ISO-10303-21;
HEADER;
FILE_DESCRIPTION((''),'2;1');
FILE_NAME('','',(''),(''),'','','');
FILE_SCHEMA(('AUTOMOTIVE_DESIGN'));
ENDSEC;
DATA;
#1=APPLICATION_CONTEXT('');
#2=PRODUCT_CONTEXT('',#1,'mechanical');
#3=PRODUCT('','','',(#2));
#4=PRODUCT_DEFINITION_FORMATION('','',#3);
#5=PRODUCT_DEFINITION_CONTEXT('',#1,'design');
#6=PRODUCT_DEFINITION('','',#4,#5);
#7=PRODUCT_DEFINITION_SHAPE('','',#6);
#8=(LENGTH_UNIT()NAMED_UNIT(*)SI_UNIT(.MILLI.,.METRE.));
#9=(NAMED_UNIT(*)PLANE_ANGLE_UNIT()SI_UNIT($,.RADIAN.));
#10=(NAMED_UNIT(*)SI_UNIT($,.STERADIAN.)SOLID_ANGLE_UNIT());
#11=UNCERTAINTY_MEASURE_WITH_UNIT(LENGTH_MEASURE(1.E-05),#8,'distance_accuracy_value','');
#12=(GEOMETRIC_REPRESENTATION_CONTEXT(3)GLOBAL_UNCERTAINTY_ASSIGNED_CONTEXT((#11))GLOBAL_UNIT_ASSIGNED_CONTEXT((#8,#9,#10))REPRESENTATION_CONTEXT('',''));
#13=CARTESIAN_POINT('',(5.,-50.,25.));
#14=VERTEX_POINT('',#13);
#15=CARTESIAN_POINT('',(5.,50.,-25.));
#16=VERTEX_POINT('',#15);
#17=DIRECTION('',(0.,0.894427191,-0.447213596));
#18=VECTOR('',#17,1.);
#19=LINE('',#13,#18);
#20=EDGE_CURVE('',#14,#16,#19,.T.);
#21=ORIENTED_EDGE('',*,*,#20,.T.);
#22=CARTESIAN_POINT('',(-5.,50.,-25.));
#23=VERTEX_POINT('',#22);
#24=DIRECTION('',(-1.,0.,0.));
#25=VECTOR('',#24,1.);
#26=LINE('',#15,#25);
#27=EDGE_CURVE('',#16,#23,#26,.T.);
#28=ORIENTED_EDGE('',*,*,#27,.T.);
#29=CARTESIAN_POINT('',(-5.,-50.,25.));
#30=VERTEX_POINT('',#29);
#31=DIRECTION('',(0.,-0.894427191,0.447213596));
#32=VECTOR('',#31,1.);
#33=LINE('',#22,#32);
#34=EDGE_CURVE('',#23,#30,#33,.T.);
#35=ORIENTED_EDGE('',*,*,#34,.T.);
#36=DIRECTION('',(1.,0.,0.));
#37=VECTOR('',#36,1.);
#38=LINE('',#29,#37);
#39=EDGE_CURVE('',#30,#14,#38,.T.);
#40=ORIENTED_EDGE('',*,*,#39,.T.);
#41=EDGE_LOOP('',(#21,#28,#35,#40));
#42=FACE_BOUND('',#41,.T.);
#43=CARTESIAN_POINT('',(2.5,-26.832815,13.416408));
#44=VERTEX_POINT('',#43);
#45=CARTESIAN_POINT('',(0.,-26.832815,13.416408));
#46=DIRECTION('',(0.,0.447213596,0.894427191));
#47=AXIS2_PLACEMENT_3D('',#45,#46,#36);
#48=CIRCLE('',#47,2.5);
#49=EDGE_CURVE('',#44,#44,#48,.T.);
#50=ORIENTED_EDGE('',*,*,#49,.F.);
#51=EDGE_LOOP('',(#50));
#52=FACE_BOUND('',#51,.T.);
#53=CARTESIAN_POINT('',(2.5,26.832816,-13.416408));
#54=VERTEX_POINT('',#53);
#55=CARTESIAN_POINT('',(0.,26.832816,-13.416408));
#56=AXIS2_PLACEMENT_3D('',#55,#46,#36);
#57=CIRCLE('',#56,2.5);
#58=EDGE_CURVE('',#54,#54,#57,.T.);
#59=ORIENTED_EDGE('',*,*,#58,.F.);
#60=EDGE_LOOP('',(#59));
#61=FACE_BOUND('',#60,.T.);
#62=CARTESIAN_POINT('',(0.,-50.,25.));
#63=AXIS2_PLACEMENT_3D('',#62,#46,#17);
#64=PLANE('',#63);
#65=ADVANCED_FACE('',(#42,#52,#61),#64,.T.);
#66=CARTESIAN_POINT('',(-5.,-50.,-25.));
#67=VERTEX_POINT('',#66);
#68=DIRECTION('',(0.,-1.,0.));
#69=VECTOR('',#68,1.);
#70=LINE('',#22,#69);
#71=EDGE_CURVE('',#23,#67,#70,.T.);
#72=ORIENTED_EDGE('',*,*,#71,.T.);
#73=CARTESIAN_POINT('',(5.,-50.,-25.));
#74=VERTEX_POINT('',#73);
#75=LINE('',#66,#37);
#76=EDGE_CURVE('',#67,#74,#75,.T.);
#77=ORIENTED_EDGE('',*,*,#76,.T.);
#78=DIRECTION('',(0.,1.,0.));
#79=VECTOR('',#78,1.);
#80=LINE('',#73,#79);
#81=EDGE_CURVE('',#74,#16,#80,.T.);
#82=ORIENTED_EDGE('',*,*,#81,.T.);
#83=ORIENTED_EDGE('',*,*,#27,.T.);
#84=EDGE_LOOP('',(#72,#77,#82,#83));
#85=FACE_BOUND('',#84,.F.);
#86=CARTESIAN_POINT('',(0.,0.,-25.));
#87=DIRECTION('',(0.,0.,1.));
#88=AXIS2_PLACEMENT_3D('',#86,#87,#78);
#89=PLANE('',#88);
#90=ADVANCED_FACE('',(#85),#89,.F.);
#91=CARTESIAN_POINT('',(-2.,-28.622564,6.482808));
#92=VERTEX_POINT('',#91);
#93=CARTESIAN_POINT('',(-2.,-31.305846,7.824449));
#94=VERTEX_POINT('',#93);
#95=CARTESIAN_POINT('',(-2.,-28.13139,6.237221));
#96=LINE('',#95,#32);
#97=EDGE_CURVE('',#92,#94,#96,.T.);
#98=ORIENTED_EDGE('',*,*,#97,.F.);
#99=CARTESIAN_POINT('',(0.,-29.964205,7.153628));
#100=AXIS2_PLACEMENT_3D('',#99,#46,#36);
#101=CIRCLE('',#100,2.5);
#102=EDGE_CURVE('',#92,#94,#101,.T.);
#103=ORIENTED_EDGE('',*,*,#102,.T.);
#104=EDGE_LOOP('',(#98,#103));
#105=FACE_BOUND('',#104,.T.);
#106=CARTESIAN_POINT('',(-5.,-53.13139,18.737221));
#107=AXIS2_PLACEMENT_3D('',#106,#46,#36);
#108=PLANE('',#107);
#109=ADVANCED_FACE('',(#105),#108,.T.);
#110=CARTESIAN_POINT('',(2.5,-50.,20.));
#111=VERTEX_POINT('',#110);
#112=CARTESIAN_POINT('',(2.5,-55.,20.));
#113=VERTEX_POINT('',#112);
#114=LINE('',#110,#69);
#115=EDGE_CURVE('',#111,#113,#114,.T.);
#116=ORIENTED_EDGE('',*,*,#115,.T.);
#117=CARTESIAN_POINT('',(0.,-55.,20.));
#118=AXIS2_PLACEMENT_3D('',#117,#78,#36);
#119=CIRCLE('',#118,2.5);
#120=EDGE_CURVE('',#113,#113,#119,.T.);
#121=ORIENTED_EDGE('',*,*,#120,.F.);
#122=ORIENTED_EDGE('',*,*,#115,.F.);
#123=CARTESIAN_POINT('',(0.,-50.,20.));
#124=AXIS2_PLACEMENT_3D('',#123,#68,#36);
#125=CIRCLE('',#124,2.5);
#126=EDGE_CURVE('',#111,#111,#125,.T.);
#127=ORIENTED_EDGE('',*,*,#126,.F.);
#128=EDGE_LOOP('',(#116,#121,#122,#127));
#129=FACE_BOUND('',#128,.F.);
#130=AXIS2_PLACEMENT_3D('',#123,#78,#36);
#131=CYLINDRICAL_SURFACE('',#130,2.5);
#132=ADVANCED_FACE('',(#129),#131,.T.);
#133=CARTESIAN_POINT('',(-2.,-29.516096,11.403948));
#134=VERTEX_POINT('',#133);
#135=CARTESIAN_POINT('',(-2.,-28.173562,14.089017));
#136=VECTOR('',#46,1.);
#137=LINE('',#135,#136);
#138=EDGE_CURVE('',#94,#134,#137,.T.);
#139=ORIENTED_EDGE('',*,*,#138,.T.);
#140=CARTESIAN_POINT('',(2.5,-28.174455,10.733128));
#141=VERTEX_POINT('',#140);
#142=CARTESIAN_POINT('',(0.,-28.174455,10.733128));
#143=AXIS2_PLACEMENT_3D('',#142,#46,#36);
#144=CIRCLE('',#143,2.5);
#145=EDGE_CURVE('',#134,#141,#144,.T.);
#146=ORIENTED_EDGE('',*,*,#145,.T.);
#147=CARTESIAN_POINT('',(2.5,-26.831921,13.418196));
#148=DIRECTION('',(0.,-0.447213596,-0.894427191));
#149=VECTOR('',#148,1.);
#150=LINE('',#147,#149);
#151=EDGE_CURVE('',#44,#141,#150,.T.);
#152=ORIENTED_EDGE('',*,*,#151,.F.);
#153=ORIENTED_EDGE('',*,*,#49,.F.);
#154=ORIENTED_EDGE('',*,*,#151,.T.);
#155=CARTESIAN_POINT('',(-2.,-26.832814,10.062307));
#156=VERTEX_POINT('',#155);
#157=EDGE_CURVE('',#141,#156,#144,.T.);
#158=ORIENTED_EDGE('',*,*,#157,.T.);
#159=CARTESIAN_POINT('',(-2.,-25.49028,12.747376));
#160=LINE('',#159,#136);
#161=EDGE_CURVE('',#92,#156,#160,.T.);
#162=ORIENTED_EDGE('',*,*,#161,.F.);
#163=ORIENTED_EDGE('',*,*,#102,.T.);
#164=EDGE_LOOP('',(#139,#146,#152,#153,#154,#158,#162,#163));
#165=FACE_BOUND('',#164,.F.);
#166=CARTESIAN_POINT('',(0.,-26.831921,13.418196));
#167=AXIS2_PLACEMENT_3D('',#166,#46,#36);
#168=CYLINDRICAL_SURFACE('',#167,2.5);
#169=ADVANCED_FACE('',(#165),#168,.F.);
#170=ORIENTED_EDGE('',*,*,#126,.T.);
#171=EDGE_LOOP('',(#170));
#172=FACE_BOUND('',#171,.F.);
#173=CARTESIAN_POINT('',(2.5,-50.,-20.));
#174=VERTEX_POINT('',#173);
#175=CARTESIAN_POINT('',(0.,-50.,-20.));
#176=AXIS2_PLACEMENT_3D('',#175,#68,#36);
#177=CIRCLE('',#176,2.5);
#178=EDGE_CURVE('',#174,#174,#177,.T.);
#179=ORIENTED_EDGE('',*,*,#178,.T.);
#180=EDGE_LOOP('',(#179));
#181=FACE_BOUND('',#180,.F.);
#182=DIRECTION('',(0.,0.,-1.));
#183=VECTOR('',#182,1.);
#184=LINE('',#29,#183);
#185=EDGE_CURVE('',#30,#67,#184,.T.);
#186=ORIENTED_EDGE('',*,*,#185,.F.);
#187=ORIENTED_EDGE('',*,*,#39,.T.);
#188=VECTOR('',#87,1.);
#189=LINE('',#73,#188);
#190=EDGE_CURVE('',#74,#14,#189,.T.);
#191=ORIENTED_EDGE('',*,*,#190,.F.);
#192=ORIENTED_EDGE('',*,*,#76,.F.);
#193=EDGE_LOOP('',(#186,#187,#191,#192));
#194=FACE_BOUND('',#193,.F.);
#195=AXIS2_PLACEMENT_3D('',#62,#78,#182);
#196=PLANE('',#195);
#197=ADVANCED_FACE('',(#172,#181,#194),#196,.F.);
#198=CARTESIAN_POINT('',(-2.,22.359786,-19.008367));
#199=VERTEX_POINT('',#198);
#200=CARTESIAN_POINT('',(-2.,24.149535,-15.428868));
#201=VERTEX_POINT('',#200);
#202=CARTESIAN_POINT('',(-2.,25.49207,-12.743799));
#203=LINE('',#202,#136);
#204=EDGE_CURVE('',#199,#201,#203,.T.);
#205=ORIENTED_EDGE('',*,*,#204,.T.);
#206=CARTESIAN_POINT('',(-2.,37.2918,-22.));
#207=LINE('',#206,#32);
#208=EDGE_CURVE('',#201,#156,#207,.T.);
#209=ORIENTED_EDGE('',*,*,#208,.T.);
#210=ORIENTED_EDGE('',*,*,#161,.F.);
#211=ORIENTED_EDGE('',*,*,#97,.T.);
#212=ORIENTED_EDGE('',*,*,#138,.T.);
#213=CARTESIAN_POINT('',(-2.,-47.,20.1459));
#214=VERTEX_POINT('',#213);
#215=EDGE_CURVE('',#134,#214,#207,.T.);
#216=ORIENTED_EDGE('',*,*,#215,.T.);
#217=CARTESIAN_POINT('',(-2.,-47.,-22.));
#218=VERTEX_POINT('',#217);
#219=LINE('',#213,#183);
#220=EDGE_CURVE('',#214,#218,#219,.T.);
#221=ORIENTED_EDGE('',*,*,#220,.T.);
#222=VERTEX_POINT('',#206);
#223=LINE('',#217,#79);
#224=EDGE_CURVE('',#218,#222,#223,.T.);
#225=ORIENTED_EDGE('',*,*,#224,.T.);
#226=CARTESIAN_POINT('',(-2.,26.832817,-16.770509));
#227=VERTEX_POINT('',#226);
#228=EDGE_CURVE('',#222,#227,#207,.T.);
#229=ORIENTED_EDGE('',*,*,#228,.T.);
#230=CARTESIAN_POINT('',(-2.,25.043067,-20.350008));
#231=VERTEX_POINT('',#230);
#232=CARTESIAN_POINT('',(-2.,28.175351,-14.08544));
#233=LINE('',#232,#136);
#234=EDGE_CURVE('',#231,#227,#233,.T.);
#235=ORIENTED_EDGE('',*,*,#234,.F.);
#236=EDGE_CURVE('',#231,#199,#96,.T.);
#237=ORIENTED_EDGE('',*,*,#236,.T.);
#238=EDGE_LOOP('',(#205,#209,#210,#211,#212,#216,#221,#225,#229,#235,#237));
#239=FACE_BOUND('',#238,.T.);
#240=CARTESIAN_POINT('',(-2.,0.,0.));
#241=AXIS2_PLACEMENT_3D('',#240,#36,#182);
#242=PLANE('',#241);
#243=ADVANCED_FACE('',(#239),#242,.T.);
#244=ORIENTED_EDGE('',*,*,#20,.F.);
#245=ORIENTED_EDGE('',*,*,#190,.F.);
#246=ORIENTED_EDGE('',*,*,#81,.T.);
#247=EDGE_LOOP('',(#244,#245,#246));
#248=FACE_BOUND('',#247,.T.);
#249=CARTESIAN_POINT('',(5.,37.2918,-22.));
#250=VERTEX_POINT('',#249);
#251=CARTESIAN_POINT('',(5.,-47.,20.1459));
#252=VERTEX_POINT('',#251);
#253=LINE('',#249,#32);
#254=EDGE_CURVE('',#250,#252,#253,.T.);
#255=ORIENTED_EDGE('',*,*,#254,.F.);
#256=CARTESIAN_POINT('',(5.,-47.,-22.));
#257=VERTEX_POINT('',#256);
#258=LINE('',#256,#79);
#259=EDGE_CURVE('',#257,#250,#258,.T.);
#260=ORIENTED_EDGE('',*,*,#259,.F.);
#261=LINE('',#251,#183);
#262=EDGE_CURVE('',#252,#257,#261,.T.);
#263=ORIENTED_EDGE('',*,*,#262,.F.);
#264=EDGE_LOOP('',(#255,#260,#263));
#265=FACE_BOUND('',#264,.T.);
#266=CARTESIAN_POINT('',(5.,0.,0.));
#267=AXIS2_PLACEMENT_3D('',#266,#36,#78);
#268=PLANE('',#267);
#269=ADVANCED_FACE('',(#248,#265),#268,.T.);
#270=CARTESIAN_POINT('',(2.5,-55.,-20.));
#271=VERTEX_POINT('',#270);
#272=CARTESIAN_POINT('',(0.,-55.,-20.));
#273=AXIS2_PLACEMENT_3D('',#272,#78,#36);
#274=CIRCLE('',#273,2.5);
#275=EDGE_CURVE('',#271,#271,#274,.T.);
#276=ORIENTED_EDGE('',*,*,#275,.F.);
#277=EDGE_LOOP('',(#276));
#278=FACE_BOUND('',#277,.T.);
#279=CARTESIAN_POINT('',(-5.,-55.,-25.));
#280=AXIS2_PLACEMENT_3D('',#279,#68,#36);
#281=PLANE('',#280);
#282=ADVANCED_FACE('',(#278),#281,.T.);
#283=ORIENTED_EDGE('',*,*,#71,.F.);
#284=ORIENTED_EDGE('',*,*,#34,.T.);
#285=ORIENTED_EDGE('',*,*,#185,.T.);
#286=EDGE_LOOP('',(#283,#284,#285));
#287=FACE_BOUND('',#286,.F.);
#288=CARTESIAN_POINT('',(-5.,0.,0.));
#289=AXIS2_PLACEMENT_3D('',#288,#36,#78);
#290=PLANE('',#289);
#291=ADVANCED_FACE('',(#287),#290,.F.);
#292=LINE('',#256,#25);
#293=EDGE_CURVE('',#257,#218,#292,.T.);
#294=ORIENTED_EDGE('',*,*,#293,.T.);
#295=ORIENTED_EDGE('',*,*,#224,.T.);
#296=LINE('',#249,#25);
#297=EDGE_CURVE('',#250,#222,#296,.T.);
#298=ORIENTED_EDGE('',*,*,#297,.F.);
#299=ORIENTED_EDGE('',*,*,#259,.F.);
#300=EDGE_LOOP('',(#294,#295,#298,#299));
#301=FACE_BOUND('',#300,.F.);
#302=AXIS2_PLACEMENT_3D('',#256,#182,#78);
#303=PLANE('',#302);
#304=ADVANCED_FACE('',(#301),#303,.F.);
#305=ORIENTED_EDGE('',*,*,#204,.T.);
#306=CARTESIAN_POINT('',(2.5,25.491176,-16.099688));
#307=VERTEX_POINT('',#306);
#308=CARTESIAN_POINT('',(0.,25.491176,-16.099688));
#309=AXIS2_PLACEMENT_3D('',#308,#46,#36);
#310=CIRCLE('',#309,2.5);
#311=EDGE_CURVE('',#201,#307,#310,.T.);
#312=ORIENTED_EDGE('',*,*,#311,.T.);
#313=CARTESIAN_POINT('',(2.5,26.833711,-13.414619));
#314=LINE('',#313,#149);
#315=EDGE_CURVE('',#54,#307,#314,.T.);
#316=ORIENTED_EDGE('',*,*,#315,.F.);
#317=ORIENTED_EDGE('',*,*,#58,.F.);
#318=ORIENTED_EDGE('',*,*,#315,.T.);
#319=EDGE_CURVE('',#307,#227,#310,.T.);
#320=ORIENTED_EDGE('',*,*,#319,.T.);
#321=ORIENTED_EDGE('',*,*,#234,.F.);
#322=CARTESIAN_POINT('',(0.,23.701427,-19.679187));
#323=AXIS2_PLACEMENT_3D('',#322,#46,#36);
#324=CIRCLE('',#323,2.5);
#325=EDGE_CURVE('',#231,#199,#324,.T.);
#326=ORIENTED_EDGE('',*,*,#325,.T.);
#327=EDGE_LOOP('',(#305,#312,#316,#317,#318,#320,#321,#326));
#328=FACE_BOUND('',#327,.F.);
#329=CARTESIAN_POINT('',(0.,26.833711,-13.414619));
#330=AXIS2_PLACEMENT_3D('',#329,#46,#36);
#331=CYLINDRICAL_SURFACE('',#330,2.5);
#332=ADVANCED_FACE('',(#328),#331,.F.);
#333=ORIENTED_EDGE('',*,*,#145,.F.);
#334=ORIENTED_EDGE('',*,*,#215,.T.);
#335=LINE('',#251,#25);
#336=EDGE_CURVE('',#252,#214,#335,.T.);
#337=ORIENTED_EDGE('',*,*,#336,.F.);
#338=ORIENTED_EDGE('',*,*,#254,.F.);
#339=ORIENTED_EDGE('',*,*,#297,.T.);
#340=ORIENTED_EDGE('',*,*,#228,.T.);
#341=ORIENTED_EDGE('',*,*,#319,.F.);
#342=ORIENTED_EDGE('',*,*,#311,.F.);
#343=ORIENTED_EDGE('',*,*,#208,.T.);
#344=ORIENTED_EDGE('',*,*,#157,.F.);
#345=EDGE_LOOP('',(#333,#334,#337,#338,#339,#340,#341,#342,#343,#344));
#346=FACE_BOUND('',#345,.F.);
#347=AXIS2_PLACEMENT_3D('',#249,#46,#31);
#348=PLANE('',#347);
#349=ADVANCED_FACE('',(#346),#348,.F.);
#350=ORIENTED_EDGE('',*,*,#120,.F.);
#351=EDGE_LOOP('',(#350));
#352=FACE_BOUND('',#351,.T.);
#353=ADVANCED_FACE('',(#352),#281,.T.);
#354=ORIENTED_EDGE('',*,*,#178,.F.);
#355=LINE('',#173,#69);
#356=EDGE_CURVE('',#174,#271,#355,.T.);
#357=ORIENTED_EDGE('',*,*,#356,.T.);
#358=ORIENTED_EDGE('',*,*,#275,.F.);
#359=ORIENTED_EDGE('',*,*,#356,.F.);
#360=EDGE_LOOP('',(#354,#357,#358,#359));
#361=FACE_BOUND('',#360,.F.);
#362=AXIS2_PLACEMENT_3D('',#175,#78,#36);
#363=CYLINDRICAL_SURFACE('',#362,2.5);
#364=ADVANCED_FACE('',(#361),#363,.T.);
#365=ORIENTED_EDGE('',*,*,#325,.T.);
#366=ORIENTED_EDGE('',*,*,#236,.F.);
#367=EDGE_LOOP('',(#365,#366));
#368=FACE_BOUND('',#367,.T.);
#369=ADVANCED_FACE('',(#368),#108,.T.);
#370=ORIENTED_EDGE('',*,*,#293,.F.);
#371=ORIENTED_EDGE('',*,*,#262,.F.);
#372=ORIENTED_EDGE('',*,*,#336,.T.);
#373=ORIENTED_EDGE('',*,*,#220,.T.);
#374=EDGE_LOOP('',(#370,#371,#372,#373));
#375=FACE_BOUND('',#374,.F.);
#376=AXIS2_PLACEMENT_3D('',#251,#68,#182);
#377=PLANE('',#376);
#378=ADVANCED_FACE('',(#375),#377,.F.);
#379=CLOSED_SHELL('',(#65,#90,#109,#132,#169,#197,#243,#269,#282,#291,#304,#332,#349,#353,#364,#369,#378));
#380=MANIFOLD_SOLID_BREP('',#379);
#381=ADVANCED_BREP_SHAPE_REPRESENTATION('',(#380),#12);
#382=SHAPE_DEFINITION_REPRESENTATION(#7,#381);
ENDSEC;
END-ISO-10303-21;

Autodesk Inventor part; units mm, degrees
sketch "Sketch2" plane through (0, 0, 0) normal (1, 0, 0) x (0, 1, 0)
  line L0 (50, 25) -> (-50, 25)
  line L1 (-50, 25) -> (-50, -25)
  line L2 (-50, -25) -> (50, -25)
  line L3 (50, -25) -> (50, 25)
  line L4 (-70, 0) -> (70, 0) projected
  line L5 (0, 35) -> (0, -35) projected
  line L6 (-50, 25) -> (50, -25)
  point P0 (0, 0)
  point P1 (50, 0)
  point P2 (0, 25)
  dimension "d0" = 50
  dimension "d1" = 100
extrude "Extrusion1" add sketch "Sketch2" along normal mid plane 10 contours L6 L4 L1 | L5 L2 L1 L4 | L6 L2 L5
sketch "Sketch4" plane through (5, 0, 0) normal (1, 0, 0) x (0, 0, -1)
  line L0 (25, 50) -> (-25, -50) projected
  line L1 (25, -50) -> (25, 50) projected
  line L2 (-25, -50) -> (25, -50) projected
  line L3 (22, 37.2918) -> (-20.1459, -47)
  line L4 (-20.1459, -47) -> (22, -47)
  line L5 (22, -47) -> (22, 37.2918)
  point P0 (0, 0)
  dimension "d8" = 3
extrude "Extrusion2" cut sketch "Sketch4" against normal blind 7 contours L5 L4 L3
sketch "Sketch5" plane through (-5, -50, -25) normal (0, -1, 0) x (1, 0, 0)
  line L0 (5, 60) -> (5, -10) projected
  circle A0 centre (5, 45) radius 2.5
  line L1 (10, 50) -> (0, 50) projected
  circle A1 centre (5, 5) radius 2.5
  point P0 (5, 25)
  dimension "d11" = 5
  dimension "d12" = 5
  dimension "d15" = 40
extrude "Extrusion3" add sketch "Sketch5" along normal blind 5
sketch "Sketch8" plane through (-5, -50, 25) normal (0, 0.4472, 0.8944) x (1, 0, 0)
  line L0 (10, 0) -> (0, 0) projected
  line L1 (0, 111.8034) -> (10, 111.8034) projected
  circle A0 centre (5, 85.9017) radius 2.5
  line L2 (5, 134.1641) -> (5, -22.3607) projected
  line L3 (-2, 55.9017) -> (12, 55.9017) projected
  circle A1 centre (5, 25.9017) radius 2.5
  point P0 (5, 55.9017)
  dimension "d31" = 111.8034
  dimension "d32" = 5
  dimension "d34" = 30
extrude "Extrusion4" cut sketch "Sketch8" against normal blind 7
properties part number "Roof_Wall_Large_Left"
